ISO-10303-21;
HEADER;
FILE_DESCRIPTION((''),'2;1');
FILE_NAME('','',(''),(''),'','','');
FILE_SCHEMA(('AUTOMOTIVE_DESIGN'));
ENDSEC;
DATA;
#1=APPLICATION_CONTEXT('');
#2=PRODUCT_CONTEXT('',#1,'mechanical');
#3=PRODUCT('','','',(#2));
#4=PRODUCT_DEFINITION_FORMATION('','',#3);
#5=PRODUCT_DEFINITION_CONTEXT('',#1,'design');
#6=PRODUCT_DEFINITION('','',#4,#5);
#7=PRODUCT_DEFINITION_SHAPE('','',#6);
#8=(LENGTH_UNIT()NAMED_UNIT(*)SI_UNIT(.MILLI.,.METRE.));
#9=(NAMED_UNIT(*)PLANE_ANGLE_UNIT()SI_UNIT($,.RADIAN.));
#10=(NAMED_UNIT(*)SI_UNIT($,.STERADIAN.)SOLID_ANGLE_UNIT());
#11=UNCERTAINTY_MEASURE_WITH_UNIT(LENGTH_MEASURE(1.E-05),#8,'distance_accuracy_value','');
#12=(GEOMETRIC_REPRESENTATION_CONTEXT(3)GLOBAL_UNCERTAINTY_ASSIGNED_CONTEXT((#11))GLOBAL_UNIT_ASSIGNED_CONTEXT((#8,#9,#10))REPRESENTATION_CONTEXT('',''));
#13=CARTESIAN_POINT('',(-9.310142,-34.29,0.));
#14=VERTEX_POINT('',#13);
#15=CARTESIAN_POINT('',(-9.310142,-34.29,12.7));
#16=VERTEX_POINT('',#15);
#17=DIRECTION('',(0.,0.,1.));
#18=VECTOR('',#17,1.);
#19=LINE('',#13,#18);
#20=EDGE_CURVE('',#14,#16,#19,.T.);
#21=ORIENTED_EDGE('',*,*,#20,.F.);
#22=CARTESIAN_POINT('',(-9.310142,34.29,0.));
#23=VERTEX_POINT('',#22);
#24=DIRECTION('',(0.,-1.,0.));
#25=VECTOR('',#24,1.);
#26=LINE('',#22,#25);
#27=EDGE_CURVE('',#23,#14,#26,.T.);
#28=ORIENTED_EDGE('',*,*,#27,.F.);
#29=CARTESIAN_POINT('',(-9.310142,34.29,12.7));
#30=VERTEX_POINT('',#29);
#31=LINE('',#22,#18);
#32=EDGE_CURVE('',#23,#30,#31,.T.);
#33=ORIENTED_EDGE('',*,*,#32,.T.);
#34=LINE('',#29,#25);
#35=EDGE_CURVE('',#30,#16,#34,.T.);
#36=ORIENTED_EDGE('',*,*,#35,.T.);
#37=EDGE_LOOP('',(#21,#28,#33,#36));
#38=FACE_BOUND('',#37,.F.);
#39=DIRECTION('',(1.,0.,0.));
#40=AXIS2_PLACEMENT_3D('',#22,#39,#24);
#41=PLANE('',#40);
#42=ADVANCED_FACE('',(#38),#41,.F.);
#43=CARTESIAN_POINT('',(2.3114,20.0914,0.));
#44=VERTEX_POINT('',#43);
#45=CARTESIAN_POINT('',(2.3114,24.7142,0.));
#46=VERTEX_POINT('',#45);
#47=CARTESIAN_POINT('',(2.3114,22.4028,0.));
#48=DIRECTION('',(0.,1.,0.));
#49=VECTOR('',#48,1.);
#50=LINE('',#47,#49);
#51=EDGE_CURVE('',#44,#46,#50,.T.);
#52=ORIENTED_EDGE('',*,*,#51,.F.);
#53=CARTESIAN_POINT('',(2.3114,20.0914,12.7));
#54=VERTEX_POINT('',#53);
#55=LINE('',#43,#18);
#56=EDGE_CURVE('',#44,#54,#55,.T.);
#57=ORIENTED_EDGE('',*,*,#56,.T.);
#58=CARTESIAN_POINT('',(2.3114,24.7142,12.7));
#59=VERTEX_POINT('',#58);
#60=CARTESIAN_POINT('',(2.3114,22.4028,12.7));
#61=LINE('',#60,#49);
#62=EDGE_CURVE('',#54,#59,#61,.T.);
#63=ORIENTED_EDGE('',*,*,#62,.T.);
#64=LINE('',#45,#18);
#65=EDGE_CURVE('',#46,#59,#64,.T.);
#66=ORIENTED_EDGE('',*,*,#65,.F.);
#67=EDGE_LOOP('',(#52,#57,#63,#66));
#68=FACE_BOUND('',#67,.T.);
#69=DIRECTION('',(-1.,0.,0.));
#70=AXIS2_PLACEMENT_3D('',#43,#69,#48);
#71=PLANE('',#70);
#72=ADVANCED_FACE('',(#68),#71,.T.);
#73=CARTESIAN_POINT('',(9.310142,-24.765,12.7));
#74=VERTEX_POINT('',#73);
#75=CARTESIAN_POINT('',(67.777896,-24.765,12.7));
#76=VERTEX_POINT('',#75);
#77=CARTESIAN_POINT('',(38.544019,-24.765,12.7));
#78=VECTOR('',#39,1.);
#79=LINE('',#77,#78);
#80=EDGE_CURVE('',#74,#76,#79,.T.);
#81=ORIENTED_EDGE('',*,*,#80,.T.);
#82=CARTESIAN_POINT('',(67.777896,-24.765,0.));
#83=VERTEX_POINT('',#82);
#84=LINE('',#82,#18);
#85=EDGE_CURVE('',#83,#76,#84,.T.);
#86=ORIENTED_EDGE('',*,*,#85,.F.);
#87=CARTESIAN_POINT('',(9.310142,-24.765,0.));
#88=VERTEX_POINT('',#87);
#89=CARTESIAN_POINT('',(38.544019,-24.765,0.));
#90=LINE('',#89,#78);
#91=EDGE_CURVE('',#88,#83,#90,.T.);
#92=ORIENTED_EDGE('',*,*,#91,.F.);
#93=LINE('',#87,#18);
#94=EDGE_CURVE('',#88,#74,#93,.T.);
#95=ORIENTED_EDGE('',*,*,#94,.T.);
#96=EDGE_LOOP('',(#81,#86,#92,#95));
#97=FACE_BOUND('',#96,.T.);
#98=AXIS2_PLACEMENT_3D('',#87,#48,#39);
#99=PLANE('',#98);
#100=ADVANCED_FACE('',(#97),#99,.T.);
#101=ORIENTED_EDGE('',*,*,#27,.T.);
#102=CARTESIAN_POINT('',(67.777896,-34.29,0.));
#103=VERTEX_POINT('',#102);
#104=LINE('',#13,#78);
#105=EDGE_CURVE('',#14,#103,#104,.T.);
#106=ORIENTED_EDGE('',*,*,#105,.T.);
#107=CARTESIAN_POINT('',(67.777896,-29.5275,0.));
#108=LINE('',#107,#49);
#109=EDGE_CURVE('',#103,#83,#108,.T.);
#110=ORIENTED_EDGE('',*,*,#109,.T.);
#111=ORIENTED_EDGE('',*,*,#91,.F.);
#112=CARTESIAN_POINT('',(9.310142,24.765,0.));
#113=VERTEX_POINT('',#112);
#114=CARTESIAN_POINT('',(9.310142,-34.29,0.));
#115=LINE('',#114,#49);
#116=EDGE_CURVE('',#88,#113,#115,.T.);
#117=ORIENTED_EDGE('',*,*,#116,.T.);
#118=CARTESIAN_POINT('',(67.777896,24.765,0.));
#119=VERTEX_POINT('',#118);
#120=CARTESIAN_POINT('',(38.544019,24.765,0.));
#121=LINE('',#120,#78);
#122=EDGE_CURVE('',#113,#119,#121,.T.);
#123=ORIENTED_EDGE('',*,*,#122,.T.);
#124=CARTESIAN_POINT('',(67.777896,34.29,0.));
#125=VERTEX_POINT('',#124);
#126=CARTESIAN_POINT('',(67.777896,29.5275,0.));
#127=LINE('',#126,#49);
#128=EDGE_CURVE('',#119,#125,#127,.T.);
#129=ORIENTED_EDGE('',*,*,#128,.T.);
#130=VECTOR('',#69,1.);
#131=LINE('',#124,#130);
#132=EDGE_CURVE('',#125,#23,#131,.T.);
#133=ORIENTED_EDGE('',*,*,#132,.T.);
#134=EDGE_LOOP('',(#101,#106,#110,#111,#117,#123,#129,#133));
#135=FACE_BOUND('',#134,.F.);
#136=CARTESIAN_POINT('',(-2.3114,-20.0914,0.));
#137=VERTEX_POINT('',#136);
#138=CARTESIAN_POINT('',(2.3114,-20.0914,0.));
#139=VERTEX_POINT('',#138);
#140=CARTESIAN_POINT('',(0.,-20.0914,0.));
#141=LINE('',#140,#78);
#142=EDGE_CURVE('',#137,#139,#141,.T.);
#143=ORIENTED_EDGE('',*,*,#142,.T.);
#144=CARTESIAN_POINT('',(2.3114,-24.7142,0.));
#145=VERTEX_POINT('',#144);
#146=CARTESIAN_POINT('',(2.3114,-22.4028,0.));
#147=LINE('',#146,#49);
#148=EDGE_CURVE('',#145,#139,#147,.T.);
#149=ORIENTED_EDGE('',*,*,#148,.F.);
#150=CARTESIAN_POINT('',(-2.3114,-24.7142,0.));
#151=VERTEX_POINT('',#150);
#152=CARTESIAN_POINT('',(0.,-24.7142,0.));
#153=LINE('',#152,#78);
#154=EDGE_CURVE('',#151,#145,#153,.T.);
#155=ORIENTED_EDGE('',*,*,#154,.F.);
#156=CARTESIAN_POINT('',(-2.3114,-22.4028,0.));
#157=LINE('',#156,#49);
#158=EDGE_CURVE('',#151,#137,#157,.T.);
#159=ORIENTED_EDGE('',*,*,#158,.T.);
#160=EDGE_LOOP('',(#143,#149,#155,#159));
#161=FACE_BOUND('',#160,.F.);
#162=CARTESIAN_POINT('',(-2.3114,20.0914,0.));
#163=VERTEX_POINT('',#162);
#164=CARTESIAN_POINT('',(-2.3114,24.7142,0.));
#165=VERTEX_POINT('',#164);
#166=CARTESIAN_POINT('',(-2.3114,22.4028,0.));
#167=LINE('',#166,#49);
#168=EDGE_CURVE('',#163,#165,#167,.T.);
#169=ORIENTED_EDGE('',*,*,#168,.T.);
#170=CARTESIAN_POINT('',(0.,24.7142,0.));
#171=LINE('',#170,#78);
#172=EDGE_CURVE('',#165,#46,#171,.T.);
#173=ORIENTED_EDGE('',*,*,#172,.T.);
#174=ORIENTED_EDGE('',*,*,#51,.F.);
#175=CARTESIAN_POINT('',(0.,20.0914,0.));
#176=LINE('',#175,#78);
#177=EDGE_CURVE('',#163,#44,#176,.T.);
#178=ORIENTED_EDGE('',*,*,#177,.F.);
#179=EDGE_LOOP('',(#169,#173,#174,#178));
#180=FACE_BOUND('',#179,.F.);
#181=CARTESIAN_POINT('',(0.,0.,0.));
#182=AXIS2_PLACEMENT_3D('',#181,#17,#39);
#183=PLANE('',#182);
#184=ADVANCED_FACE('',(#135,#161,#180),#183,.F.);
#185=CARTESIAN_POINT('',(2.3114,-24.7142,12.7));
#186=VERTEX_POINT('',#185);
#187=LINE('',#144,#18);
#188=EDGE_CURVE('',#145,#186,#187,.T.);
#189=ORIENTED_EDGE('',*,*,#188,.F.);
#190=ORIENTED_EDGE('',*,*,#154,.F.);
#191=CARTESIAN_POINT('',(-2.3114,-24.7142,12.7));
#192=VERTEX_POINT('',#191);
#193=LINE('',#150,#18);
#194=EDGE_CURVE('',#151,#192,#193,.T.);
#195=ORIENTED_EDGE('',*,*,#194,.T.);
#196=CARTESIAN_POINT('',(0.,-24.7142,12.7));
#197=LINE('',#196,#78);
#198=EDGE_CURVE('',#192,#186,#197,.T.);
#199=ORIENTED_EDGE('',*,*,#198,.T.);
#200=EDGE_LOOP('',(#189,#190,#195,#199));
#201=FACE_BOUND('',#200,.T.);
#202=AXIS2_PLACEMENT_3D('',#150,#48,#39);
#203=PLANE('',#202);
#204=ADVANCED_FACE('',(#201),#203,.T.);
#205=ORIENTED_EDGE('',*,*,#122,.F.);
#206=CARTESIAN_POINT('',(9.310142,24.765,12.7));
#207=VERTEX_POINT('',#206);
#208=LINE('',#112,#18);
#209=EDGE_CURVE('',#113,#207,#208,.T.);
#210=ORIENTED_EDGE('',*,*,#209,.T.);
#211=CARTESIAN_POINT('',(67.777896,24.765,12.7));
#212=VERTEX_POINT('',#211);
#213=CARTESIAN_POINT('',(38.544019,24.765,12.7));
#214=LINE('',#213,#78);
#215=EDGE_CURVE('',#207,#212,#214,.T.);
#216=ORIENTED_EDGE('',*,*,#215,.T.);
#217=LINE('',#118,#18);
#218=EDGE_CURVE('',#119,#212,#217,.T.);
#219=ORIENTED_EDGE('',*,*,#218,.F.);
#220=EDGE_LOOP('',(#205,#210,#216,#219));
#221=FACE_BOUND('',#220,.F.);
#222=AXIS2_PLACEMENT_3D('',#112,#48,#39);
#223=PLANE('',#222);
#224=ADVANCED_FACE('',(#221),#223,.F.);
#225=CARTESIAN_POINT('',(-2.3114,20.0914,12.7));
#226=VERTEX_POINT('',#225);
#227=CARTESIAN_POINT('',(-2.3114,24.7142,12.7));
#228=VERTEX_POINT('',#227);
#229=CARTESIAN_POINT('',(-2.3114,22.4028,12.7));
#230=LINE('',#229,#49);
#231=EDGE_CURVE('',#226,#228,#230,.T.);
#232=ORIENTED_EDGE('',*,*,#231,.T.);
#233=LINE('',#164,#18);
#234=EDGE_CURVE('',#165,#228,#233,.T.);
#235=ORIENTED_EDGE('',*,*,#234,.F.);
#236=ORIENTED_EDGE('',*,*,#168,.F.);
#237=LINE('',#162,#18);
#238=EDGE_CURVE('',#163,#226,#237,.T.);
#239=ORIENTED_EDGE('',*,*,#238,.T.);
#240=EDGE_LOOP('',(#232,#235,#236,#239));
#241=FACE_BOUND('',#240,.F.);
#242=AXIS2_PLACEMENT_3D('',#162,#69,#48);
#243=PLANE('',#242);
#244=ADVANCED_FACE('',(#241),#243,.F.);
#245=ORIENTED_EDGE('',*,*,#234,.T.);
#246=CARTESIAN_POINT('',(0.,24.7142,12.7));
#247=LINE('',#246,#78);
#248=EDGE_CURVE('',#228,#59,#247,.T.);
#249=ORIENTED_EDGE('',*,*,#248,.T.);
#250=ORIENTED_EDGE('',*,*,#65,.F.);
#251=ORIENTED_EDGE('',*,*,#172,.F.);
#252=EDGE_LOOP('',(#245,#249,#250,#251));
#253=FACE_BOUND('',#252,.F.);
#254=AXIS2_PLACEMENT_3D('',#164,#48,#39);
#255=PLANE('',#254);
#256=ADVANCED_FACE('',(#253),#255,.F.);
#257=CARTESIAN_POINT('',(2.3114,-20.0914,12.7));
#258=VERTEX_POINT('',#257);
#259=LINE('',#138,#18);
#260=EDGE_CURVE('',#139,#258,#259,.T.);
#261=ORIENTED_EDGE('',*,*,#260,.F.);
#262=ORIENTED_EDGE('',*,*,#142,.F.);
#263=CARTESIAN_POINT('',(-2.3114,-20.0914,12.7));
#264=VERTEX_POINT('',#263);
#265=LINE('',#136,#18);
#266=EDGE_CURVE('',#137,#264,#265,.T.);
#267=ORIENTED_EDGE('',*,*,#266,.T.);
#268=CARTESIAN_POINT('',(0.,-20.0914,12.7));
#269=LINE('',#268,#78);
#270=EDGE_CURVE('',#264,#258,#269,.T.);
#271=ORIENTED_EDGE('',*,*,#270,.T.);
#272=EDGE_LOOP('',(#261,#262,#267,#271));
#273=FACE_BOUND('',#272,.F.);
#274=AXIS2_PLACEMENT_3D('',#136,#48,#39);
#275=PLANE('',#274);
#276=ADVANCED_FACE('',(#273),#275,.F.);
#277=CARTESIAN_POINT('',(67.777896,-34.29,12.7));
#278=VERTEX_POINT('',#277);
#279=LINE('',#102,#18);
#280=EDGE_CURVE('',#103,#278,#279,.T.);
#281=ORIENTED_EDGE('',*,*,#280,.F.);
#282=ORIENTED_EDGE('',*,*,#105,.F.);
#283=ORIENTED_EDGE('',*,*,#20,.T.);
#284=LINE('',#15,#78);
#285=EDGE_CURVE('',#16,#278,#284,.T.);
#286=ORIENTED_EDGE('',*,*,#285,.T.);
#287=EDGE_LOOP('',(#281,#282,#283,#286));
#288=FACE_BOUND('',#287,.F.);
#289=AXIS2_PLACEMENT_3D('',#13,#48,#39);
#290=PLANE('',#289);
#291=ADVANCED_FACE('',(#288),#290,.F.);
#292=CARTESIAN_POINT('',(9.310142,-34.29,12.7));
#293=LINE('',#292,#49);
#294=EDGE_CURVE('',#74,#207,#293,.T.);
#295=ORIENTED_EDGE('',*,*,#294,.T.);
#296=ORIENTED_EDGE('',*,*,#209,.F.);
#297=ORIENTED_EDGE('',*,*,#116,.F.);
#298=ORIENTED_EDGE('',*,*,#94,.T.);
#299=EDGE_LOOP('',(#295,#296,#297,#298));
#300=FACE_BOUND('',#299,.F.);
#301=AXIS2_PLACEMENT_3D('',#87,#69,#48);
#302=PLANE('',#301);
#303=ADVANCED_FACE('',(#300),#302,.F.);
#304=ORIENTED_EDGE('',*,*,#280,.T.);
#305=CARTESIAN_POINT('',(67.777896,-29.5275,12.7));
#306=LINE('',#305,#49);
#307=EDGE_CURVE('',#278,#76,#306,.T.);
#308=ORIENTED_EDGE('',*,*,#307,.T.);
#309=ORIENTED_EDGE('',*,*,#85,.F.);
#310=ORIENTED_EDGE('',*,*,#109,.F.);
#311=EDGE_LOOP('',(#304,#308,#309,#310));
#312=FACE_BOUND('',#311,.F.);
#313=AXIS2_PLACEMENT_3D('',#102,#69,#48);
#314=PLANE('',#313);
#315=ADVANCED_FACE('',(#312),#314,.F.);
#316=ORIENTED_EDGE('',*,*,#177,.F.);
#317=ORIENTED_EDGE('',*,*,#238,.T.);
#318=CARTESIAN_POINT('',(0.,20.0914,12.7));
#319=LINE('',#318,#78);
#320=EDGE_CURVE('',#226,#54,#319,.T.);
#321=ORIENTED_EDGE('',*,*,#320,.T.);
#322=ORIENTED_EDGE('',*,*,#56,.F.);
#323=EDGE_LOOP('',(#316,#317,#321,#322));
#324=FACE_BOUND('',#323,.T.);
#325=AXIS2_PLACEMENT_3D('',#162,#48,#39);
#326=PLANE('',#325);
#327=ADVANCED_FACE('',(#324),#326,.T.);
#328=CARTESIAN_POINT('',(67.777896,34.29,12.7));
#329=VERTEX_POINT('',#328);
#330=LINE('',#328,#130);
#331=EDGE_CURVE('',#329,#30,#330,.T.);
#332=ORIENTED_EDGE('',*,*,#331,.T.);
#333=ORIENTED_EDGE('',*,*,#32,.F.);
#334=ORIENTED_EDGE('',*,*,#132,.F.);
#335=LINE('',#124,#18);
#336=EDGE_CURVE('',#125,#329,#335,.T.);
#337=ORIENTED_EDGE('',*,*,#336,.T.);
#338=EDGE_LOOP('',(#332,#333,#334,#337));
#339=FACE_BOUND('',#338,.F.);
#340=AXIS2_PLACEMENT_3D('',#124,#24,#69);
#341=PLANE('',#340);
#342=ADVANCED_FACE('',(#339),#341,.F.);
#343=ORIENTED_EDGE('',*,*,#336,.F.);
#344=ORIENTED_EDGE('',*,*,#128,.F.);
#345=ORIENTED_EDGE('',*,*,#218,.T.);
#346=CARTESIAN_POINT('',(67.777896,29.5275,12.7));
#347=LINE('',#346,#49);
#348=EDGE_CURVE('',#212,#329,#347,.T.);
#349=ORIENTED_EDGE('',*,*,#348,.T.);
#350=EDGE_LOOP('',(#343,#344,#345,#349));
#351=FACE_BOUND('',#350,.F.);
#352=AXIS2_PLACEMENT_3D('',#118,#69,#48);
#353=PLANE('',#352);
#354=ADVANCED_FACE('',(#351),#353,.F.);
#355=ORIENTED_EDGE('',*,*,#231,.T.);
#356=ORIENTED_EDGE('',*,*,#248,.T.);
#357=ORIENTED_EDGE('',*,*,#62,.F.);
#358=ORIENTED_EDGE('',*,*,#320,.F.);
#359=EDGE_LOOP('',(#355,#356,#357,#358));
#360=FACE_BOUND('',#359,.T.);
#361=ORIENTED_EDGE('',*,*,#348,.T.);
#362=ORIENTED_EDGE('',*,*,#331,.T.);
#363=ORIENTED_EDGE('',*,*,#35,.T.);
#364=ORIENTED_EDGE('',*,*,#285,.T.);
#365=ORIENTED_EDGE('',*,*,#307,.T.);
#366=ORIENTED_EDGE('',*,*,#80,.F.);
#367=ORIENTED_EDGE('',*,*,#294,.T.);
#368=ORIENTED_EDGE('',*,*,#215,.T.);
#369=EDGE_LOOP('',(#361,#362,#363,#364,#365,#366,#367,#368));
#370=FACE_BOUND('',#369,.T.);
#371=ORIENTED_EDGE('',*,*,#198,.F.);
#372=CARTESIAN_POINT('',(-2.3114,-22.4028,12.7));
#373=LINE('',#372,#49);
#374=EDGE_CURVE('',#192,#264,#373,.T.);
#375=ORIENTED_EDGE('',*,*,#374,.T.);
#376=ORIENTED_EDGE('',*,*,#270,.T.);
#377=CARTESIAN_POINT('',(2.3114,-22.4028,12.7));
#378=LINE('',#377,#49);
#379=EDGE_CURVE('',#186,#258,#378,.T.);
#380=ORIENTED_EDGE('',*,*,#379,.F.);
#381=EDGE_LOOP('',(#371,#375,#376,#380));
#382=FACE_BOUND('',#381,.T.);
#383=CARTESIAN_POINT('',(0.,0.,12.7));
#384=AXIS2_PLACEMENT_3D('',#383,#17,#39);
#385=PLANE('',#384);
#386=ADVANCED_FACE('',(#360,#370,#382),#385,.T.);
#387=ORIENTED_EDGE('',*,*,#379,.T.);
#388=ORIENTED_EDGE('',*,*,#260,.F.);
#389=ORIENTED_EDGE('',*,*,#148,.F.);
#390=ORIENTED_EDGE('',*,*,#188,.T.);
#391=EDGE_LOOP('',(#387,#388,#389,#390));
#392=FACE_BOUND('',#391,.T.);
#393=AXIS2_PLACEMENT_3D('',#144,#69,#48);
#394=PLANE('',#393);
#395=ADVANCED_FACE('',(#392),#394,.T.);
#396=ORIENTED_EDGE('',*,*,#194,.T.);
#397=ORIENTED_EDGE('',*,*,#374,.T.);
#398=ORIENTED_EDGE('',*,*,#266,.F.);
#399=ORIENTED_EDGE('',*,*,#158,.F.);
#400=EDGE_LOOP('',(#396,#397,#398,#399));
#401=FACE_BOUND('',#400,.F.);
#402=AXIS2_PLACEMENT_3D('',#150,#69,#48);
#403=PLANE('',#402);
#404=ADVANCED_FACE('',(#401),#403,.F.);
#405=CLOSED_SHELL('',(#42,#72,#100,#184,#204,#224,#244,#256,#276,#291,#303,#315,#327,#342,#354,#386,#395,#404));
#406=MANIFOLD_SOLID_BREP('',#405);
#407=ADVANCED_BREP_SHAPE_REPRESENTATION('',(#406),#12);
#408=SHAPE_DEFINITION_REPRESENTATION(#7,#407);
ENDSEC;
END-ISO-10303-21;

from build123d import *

# Parameters (mm, degrees)
F0_W     = 4.6228
F0_H     = 4.6228
F0_W_2   = 58.467754
F0_H_2   = 9.525
F1_DEPTH = 12.7


with BuildPart() as f1:
    # F0 (on Top) → F1 (new body)
    with BuildSketch(Plane.XY):
        Polygon((9.310142, 34.29), (-9.310142, 34.29), (-9.310142, -34.29), (9.310142, -34.29), (9.310142, -24.765), (9.310142, 0), (9.310142, 24.765), align=None)
        with Locations((0, -22.4028)):
            Rectangle(F0_W, F0_H, mode=Mode.SUBTRACT)
        with Locations((0, 22.4028)):
            Rectangle(F0_W, F0_H, mode=Mode.SUBTRACT)
        with Locations((38.544019, 29.5275)):
            Rectangle(F0_W_2, F0_H_2)
        with Locations((38.544019, -29.5275)):
            Rectangle(F0_W_2, F0_H_2)
    extrude(amount=F1_DEPTH)


solid = f1.part
